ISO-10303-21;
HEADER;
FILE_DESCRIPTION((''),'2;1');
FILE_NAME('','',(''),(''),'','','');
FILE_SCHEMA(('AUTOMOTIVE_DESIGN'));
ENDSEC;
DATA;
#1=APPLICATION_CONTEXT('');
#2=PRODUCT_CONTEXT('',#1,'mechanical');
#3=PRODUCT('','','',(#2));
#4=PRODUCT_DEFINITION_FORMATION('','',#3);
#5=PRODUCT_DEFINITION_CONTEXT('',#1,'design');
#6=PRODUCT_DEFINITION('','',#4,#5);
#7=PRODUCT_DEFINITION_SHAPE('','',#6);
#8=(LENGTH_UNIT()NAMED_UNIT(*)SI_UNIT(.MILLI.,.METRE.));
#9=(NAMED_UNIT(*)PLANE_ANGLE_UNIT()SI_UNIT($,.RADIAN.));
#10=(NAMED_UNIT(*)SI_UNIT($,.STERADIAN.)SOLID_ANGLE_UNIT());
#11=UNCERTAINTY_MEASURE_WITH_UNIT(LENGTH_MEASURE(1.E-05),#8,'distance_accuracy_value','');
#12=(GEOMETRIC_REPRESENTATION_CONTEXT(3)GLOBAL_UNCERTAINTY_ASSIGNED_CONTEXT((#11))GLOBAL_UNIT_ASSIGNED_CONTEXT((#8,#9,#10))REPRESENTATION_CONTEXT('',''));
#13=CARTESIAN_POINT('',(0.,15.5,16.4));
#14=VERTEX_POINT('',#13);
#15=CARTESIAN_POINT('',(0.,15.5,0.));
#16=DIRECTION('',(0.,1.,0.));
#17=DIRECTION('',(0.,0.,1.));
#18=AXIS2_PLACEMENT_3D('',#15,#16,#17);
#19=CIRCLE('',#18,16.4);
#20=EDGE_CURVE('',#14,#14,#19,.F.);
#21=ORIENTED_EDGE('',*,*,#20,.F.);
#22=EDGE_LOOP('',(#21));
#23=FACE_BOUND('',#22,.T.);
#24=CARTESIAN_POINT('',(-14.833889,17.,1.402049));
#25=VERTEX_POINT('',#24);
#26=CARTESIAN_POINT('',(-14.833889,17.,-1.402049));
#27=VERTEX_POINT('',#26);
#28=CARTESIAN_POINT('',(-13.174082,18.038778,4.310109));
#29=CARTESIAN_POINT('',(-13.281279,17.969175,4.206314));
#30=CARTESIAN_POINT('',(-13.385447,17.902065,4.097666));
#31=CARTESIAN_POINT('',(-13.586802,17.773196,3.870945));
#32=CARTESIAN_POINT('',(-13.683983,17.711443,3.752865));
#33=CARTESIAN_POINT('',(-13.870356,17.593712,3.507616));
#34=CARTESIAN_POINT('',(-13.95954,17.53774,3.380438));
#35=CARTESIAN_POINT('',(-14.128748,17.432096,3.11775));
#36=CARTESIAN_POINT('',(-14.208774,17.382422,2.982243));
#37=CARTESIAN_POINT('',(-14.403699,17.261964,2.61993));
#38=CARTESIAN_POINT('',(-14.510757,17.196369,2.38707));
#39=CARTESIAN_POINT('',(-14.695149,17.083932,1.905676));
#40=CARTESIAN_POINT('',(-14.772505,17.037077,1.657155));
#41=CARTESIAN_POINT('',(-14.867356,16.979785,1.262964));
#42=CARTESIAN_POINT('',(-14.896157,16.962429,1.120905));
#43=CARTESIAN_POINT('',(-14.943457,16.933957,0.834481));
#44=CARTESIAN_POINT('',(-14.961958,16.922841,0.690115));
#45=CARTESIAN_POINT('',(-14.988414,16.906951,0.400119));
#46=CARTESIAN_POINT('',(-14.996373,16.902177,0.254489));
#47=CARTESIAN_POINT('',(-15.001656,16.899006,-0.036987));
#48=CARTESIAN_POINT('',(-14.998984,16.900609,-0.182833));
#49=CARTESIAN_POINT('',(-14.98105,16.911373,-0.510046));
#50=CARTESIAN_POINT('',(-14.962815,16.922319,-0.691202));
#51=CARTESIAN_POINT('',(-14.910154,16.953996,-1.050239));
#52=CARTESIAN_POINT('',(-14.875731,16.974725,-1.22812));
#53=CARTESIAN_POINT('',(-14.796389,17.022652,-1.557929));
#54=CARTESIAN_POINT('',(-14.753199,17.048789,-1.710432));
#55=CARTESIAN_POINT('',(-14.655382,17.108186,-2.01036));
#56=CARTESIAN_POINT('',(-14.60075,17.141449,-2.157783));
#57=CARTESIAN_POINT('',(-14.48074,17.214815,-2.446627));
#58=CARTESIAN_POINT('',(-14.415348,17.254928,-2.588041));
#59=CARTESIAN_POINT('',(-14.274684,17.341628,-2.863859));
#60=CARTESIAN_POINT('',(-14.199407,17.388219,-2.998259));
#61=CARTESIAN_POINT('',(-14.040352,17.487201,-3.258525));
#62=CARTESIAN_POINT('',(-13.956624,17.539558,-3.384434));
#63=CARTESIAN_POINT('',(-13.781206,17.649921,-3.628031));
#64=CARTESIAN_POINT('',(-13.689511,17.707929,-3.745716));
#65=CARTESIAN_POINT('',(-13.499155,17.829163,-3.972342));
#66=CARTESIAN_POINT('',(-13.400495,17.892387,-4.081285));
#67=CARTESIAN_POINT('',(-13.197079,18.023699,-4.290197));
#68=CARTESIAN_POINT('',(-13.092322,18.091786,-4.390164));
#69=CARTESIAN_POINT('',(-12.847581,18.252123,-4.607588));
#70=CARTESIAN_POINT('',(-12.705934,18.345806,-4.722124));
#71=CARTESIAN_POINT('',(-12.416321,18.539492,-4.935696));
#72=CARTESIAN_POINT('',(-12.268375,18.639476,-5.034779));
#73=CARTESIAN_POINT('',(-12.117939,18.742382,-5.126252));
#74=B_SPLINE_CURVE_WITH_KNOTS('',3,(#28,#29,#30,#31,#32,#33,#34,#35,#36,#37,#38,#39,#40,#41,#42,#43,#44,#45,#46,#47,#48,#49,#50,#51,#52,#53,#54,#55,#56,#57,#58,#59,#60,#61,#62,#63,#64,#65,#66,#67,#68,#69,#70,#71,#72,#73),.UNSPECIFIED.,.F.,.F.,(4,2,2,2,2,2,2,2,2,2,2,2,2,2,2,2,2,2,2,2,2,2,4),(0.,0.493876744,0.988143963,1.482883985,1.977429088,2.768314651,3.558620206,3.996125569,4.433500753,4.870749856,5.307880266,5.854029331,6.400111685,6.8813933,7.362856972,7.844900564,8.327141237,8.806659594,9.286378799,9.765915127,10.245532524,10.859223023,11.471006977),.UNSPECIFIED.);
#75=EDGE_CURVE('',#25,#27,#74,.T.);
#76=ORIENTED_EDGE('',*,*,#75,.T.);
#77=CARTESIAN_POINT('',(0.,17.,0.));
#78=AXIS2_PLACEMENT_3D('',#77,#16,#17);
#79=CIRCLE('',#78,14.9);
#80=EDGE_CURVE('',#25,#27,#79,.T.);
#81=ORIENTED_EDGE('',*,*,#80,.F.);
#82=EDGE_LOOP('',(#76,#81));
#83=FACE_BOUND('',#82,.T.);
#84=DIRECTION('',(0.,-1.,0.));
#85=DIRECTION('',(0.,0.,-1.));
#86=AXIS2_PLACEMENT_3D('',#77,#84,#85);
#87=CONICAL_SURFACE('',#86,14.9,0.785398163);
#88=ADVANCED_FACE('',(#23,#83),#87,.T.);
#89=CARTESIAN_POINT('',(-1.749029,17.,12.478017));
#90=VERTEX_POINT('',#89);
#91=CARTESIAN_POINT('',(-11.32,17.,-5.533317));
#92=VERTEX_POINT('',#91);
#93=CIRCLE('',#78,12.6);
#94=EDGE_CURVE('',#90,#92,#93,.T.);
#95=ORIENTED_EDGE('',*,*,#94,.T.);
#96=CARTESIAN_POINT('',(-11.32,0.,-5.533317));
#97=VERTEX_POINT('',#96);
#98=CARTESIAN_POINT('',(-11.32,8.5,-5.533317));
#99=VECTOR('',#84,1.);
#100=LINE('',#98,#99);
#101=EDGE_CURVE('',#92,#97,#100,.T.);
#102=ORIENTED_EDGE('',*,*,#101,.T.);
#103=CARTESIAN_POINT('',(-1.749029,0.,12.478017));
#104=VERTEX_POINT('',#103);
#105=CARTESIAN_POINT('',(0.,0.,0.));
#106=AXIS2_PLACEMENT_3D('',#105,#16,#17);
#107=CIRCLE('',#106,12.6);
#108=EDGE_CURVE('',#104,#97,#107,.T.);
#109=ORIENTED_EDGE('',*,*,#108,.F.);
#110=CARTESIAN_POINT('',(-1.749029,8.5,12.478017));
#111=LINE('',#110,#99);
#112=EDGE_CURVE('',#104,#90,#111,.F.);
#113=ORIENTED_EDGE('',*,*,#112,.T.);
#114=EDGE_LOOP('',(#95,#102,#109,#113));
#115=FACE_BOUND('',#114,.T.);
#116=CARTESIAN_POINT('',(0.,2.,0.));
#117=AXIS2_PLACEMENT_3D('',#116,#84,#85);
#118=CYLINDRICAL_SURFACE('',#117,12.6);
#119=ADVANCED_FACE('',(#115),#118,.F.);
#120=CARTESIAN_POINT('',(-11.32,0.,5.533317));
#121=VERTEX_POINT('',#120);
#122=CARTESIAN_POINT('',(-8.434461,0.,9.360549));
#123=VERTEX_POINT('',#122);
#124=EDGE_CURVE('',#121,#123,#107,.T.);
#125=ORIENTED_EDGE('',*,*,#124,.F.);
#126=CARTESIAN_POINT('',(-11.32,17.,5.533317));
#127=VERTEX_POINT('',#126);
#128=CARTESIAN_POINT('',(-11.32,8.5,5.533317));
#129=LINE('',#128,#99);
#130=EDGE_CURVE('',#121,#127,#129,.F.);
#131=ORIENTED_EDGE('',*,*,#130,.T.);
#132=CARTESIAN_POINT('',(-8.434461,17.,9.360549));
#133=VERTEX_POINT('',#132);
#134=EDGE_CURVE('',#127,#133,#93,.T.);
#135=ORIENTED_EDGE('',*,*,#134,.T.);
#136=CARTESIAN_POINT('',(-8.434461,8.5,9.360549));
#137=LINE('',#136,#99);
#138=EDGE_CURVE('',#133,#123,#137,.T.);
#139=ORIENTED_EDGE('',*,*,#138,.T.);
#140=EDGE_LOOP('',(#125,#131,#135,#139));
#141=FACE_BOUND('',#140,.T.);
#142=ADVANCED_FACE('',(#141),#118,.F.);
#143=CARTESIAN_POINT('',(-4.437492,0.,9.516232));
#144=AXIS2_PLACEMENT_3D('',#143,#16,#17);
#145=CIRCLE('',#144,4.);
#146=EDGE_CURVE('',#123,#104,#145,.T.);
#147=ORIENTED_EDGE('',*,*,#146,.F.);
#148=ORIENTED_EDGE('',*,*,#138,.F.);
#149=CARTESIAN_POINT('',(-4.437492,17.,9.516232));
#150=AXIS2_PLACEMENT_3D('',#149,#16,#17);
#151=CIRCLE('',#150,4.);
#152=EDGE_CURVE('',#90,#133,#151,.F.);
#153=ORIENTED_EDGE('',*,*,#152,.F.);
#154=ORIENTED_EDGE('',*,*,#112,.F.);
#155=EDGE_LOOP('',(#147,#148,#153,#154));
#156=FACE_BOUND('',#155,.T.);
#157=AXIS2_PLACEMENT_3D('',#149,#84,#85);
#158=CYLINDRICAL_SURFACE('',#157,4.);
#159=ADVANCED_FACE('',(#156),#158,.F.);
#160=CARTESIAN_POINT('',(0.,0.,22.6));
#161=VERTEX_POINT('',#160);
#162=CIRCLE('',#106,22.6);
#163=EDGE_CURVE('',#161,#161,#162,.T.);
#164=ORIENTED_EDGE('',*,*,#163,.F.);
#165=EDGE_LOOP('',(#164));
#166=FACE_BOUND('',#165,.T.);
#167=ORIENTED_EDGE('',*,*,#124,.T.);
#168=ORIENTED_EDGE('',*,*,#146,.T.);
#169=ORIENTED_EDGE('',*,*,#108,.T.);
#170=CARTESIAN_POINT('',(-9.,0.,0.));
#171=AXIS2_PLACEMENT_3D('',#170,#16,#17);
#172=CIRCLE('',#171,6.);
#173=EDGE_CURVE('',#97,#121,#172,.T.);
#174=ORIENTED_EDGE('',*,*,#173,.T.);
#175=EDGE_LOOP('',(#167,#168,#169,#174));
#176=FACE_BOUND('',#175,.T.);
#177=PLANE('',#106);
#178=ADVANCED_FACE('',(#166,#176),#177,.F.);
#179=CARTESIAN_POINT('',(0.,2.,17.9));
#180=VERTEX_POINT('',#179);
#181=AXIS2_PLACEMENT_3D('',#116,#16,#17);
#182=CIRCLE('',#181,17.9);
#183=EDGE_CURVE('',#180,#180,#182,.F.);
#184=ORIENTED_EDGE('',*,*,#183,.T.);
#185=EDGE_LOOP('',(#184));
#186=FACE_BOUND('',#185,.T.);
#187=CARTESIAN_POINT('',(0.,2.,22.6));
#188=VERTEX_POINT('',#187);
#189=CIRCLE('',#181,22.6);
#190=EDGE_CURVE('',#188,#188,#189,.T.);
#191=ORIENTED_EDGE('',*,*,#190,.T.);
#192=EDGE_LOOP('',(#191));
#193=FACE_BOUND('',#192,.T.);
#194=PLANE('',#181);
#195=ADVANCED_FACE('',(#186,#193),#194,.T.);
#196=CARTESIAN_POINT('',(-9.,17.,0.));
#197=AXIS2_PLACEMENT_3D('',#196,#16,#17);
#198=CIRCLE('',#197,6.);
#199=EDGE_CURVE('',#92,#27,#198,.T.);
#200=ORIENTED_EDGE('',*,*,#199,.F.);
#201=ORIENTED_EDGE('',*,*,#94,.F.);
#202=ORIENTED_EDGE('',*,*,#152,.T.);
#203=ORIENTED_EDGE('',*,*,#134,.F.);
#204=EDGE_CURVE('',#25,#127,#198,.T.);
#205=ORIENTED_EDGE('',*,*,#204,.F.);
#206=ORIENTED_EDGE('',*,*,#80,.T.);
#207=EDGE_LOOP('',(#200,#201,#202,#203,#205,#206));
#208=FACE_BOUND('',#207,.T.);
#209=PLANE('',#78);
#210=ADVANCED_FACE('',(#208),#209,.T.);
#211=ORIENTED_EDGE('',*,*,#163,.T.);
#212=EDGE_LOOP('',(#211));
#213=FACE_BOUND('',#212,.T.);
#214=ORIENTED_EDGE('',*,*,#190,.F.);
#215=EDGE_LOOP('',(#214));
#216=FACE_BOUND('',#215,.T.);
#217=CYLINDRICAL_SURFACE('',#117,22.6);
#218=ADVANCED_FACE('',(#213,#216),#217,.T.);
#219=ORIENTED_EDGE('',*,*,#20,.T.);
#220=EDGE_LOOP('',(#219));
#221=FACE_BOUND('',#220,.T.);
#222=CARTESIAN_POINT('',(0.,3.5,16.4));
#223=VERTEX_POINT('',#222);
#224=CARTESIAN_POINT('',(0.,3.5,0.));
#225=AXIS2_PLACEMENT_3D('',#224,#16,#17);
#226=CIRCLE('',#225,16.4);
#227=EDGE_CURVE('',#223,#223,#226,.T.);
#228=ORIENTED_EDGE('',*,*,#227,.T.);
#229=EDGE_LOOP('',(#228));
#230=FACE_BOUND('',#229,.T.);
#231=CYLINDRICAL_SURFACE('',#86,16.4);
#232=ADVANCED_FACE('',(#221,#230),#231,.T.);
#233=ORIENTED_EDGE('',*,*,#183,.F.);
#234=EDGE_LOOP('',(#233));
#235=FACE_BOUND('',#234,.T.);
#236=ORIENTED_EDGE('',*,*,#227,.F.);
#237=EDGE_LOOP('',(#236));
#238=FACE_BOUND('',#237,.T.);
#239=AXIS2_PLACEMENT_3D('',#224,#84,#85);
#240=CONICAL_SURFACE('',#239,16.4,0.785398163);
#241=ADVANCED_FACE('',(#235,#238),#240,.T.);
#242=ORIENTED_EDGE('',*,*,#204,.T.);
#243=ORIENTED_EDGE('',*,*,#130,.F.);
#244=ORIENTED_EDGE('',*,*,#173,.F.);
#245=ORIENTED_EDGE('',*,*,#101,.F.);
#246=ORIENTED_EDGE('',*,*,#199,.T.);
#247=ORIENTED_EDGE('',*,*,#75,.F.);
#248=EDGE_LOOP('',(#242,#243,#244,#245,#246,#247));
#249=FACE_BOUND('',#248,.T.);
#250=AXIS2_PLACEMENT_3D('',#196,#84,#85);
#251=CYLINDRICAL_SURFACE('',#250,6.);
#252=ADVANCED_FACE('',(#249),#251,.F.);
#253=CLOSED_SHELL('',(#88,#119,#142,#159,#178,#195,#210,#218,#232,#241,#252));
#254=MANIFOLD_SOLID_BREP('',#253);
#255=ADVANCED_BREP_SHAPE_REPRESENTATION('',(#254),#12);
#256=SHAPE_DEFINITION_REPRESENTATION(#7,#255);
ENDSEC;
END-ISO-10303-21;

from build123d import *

# Parameters (mm, degrees)
ESBO_O1_R                = 22.6
ESBO_O1_R_2              = 12.6
RESSALTO_EXTRUS_O1_DEPTH = 2
ESBO_O2_R                = 16.4
ESBO_O2_R_2              = 12.6
RESSALTO_EXTRUS_O2_DEPTH = 15
CHANFRO2_SIZE            = 1.5
ESBO_O3_R                = 6
ESBO_O3_R_2              = 4
CORTE_EXTRUS_O1_DEPTH    = 37.201104956


with BuildPart() as part:
    # Esboço1 → Ressalto-extrusão1 (new body)
    with BuildSketch(Plane(origin=(0, 0, 0), x_dir=(1, 0, 0), z_dir=(0, 1, 0))):
        with Locations(Location((0, 0, 0), (0, 0, 270))):
            Circle(ESBO_O1_R)
        with Locations(Location((0, 0, 0), (0, 0, 270))):
            Circle(ESBO_O1_R_2, mode=Mode.SUBTRACT)
    extrude(amount=RESSALTO_EXTRUS_O1_DEPTH)

    # Esboço2 → Ressalto-extrusão2 (add)
    with BuildSketch(Plane(origin=(0, 2, 0), x_dir=(1, 0, 0), z_dir=(0, 1, 0))):
        with Locations(Location((0, 0, 0), (0, 0, 270))):
            Circle(ESBO_O2_R)
        with Locations(Location((0, 0, 0), (0, 0, 270))):
            Circle(ESBO_O2_R_2, mode=Mode.SUBTRACT)
    extrude(amount=RESSALTO_EXTRUS_O2_DEPTH)

    # Chanfro2
    chanfro2_edges = [part.edges().sort_by_distance(p)[0] for p in [
        (0, 17, -16.4),
        (0, 2, -16.4),
    ]]
    chamfer(chanfro2_edges, length=CHANFRO2_SIZE)

    # Esboço3 → Corte-extrusão1 (cut, through all)
    with BuildSketch(Plane(origin=(0, 0, 0), x_dir=(1, 0, 0), z_dir=(0, 1, 0))):
        with Locations((-9, 0)):
            Circle(ESBO_O3_R)
        with Locations((-4.437491748, -9.516231764)):
            Circle(ESBO_O3_R_2)
    extrude(amount=CORTE_EXTRUS_O1_DEPTH, mode=Mode.SUBTRACT)


solid = part.part
